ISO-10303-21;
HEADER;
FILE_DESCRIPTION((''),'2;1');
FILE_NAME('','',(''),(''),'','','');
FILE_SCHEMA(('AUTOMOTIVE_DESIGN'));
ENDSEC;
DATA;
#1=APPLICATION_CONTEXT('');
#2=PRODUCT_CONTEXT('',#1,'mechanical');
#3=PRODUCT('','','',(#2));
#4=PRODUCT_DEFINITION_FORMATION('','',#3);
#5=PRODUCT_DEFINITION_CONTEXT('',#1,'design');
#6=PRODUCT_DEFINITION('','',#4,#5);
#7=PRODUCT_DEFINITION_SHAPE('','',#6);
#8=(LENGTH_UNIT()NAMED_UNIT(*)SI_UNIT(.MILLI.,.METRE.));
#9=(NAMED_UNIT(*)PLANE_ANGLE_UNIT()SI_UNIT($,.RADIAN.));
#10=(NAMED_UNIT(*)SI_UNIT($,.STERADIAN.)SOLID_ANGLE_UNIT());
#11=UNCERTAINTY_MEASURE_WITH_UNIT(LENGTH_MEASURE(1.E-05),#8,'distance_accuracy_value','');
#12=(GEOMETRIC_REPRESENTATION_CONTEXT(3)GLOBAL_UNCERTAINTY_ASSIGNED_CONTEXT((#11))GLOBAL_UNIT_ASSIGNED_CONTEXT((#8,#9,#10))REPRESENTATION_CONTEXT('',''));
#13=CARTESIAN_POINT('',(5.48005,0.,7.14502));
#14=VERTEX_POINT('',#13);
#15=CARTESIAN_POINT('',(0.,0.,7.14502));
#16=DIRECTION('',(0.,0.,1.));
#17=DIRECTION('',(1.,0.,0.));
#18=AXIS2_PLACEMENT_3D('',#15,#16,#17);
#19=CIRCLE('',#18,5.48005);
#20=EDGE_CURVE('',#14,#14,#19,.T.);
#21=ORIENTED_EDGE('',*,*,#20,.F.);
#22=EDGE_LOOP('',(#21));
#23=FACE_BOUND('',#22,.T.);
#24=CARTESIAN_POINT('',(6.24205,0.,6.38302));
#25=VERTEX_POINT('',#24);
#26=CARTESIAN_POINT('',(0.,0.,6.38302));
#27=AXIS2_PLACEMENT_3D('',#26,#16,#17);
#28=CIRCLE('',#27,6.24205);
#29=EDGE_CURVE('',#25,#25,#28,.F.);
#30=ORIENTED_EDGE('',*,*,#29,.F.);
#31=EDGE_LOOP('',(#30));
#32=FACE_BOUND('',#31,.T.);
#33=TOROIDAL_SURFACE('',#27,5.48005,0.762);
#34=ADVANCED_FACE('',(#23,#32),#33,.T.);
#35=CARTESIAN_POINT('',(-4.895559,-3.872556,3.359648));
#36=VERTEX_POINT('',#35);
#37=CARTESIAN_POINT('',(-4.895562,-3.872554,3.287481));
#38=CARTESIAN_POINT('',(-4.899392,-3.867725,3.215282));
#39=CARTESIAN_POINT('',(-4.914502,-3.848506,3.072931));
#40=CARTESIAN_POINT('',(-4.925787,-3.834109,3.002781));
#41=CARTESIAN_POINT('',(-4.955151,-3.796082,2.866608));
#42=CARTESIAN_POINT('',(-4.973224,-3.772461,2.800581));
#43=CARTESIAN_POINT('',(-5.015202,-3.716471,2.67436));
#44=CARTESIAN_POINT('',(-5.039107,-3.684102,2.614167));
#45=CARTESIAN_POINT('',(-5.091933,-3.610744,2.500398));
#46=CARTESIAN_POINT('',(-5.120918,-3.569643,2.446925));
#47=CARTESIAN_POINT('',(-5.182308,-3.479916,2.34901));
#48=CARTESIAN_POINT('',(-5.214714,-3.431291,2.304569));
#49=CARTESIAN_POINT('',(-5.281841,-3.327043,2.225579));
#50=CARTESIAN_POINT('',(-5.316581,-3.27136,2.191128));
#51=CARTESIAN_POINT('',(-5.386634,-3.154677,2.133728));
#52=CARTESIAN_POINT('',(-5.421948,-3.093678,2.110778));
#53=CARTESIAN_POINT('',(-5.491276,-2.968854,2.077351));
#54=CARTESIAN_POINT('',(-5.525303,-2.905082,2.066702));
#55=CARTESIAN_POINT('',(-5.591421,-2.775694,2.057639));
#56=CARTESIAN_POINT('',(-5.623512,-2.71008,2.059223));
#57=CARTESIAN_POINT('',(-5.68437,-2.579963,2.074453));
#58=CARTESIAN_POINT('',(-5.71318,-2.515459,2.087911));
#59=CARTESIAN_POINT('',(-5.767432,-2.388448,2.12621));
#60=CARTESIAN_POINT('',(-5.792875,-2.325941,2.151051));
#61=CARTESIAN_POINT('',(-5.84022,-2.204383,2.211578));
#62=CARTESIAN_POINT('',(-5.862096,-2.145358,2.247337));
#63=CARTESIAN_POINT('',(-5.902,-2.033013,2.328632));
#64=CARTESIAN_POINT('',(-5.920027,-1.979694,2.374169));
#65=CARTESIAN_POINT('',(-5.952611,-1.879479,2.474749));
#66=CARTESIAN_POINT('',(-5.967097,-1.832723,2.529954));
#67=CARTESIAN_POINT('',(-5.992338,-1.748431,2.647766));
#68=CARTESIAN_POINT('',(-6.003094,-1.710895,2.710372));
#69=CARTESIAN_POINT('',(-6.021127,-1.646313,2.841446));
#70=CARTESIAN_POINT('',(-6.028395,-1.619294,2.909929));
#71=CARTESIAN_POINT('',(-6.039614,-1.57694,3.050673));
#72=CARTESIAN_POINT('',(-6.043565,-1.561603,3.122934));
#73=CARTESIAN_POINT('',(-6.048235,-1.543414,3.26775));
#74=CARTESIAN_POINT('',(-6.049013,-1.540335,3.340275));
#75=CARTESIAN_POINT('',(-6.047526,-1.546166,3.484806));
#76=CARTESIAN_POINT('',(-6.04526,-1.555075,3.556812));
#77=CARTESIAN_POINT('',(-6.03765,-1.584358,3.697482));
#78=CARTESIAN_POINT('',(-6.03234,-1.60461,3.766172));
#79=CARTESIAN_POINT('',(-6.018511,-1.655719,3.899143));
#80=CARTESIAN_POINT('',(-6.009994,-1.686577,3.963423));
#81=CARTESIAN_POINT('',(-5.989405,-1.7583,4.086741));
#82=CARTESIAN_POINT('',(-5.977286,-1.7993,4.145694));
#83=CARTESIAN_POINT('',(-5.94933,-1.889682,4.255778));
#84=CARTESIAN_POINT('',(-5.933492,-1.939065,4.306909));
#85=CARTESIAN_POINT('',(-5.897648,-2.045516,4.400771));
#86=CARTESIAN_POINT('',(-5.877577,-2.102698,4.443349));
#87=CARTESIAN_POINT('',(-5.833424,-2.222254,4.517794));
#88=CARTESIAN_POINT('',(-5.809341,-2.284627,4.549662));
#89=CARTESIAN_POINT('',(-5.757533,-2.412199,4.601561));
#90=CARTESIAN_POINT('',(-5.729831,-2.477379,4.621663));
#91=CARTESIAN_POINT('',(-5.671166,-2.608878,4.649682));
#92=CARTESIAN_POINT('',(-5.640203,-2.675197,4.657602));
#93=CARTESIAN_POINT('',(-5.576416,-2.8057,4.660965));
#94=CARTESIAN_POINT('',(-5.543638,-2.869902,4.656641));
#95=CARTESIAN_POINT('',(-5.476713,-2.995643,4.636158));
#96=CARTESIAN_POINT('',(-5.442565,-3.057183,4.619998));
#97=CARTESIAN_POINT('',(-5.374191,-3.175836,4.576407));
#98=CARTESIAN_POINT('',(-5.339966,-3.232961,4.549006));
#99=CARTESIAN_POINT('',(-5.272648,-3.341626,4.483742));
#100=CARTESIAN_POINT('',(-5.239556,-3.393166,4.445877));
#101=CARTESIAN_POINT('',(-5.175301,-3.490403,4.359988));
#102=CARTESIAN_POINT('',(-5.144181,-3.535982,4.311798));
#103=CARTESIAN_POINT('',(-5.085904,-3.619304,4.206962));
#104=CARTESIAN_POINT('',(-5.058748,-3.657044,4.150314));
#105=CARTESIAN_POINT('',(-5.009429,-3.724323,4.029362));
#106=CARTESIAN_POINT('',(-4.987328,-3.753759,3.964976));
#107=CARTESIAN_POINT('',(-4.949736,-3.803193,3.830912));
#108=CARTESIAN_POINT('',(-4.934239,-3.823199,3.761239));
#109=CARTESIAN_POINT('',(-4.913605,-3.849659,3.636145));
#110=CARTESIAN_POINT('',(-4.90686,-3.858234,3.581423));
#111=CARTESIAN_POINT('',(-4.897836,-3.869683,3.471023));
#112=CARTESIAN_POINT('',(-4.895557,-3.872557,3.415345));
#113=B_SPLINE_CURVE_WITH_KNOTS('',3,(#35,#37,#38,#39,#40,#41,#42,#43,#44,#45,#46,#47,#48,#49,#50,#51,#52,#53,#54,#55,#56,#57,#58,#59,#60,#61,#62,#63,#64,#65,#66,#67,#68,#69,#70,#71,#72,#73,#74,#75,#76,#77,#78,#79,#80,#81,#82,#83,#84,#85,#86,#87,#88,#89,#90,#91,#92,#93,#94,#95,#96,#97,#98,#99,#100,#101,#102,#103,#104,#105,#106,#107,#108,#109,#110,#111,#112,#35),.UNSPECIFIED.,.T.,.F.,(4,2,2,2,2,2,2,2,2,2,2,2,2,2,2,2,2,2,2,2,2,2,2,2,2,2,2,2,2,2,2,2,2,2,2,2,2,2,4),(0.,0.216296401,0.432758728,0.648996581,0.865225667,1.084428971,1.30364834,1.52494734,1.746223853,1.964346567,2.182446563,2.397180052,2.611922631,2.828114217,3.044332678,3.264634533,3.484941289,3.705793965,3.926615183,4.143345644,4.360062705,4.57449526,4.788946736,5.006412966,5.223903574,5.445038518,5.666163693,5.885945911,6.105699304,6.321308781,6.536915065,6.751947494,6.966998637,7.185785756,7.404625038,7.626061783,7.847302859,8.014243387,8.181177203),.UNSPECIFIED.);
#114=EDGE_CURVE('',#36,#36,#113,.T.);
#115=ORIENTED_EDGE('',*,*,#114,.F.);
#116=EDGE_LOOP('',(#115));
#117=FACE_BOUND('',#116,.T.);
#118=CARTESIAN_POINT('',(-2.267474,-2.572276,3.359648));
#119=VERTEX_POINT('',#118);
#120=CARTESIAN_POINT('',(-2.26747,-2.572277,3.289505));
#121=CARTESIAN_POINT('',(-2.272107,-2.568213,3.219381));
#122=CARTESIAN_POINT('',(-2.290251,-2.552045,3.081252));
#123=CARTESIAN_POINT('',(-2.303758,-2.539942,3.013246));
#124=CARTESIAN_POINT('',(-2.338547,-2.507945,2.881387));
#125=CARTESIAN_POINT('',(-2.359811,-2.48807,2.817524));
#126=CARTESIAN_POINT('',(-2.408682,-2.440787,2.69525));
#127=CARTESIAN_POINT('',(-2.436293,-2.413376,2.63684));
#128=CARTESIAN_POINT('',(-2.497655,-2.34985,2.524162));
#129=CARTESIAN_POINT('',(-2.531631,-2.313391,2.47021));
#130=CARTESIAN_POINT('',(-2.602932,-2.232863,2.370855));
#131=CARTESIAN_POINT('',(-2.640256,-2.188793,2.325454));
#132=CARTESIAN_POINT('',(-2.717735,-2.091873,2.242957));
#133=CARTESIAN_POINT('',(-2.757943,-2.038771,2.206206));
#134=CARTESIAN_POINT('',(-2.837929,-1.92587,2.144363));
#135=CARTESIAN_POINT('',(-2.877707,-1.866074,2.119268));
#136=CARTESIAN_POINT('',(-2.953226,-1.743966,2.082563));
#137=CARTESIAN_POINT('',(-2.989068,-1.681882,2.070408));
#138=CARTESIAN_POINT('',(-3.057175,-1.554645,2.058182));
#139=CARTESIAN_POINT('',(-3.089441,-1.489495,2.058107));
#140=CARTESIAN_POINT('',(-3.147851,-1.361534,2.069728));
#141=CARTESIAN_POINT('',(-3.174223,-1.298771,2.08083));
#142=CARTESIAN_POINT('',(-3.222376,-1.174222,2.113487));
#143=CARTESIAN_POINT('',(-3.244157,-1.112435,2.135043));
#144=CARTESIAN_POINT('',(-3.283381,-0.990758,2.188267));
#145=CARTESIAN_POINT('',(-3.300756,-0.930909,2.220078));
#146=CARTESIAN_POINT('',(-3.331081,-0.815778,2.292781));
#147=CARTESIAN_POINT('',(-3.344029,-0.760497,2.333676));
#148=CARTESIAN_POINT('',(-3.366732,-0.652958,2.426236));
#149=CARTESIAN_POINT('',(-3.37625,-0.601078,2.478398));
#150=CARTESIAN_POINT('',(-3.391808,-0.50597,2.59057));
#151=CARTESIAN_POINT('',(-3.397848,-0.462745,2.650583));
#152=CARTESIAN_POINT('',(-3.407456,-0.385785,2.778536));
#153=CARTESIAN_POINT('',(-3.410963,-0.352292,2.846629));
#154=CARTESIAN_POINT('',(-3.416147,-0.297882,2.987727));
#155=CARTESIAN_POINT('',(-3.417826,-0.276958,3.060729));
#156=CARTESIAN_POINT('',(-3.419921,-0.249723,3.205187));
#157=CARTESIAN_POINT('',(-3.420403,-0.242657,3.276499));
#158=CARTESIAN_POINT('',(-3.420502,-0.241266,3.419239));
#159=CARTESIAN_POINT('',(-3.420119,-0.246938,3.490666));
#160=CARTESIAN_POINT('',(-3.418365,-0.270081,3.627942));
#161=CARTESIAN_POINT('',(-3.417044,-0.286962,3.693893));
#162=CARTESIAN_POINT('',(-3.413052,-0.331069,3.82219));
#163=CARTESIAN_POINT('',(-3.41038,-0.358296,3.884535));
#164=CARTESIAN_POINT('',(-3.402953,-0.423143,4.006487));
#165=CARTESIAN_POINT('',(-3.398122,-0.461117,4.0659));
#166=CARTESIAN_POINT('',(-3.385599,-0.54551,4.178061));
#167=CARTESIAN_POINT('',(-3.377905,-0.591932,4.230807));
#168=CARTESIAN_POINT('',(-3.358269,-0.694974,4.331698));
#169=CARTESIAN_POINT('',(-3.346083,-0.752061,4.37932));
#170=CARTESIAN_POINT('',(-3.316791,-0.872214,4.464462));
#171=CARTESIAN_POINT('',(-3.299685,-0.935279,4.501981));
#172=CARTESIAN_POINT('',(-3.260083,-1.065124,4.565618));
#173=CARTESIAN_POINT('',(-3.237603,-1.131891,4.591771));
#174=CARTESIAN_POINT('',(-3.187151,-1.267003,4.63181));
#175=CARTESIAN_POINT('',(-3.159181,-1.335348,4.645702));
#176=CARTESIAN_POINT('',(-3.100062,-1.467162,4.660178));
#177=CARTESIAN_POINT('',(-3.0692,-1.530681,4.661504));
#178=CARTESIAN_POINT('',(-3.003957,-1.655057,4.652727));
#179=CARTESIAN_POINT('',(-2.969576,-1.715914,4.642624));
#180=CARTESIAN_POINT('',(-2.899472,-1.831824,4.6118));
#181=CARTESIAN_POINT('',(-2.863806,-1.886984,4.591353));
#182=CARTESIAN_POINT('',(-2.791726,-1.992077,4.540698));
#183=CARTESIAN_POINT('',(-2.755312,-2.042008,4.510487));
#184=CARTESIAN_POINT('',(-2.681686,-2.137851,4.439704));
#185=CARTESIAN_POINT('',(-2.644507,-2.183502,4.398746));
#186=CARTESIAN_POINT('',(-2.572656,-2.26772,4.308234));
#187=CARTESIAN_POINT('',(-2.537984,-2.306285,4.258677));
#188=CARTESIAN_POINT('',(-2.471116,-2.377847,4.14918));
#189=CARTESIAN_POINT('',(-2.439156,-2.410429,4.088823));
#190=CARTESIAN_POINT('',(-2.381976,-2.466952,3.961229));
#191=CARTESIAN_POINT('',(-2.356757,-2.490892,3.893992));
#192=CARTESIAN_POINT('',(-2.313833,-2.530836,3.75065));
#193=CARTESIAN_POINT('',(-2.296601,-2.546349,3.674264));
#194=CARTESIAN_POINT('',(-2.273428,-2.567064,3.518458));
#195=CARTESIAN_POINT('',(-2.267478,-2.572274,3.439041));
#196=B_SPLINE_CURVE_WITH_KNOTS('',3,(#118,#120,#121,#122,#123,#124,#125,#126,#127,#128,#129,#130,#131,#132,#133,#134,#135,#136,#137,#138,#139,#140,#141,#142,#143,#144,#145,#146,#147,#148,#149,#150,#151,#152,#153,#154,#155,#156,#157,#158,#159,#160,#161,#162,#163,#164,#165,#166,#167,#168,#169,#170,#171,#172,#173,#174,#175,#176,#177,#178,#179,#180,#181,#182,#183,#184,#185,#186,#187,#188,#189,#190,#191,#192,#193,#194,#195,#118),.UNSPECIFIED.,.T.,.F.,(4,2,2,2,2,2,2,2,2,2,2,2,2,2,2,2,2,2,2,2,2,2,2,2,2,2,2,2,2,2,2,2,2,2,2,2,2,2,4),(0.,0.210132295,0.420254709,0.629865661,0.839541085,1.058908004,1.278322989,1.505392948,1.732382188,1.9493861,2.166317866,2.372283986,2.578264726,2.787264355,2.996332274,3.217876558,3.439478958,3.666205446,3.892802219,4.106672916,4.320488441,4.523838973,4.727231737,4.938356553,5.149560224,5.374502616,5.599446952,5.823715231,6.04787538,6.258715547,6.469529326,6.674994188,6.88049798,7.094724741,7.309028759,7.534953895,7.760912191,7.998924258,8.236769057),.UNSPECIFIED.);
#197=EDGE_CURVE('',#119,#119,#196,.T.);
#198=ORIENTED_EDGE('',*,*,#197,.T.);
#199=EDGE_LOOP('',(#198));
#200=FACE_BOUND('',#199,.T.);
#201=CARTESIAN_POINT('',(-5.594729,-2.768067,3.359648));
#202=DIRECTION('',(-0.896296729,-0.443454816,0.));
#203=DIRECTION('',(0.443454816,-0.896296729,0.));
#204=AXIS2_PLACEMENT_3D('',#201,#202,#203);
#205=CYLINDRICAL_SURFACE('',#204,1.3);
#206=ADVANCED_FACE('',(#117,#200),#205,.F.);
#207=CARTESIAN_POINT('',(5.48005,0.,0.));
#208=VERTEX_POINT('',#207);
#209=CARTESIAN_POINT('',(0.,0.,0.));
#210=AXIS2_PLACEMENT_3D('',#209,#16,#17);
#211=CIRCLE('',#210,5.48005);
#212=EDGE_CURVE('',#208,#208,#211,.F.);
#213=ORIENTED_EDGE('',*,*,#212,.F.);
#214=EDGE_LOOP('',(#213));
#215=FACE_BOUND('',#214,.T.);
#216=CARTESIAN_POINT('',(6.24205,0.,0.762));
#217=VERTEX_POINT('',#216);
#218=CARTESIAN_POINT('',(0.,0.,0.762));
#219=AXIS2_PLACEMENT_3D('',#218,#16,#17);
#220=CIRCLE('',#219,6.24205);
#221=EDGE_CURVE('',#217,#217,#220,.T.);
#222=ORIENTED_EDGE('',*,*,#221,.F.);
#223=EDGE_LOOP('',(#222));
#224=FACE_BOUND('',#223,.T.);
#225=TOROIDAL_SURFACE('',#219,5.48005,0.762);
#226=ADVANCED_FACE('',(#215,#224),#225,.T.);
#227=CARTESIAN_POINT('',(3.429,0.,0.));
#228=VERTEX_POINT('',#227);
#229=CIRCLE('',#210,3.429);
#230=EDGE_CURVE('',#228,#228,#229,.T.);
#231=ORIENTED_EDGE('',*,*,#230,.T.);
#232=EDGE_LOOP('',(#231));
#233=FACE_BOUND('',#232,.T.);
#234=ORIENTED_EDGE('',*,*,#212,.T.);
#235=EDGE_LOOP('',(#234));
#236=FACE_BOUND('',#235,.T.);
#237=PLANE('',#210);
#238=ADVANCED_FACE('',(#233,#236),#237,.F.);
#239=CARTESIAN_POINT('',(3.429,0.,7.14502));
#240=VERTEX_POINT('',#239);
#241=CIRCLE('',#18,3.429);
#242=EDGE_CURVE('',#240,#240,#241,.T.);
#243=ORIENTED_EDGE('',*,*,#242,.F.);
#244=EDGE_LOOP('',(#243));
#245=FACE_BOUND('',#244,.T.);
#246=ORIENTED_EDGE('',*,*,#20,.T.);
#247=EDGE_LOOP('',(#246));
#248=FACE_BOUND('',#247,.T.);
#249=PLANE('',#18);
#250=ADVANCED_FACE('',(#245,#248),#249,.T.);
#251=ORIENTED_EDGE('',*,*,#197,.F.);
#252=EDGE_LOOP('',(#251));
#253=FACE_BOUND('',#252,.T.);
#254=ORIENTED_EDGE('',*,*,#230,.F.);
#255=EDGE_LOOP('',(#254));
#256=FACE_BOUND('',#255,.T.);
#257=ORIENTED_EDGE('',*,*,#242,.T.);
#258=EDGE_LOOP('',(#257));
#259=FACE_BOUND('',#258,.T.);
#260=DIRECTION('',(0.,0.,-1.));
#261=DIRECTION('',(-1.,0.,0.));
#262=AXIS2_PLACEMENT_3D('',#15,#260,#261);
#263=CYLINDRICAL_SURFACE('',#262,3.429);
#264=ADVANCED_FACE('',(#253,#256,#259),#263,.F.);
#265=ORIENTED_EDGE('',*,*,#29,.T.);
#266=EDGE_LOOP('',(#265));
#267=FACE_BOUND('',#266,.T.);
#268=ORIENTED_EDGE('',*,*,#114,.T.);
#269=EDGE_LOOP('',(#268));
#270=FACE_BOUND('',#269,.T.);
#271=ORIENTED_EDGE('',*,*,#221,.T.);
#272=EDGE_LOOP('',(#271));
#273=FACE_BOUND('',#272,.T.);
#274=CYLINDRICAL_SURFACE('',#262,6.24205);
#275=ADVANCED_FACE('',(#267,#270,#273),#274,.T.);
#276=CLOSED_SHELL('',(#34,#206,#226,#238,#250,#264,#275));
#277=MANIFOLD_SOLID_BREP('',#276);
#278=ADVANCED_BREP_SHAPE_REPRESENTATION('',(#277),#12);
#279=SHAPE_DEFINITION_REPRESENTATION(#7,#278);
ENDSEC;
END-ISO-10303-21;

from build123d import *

# Parameters (mm, degrees)
ESQUISSE1_R           = 6.24205
ESQUISSE1_R_2         = 3.429
BOSS_EXTRU_1_DEPTH    = 7.14502
CONG_1_R              = 0.762
D_GAGEMENT_M21_REACH  = 17.35
D_GAGEMENT_M21_BORE_R = 1.3


with BuildPart() as part:
    # Esquisse1 → Boss.-Extru.1 (new body)
    with BuildSketch(Plane.XY):
        with Locations(Location((0, 0, 0), (0, 0, 180))):
            Circle(ESQUISSE1_R)
        with Locations(Location((0, 0, 0), (0, 0, 180))):
            Circle(ESQUISSE1_R_2, mode=Mode.SUBTRACT)
    extrude(amount=BOSS_EXTRU_1_DEPTH)

    # Congé1
    cong_1_edges = [part.edges().sort_by_distance(p)[0] for p in [
        (6.24205, 0, 0),
        (6.24205, 0, 7.14502),
    ]]
    fillet(cong_1_edges, radius=CONG_1_R)

    # Dégagement M21 bore (on position points) → Dégagement M21 (cut, up to next)
    with BuildSketch(Plane(origin=(-5.594728997, -2.768067132, 3.359647544), x_dir=(0.44345481566, -0.896296729029, 0), z_dir=(-0.896296729029, -0.44345481566, 0)), mode=Mode.PRIVATE) as d_gagement_m21_sk1:
        Circle(D_GAGEMENT_M21_BORE_R)
    d_gagement_m21_tool1 = extrude(d_gagement_m21_sk1.sketch, amount=-D_GAGEMENT_M21_REACH, mode=Mode.PRIVATE) & part.part
    add(d_gagement_m21_tool1.solids().sort_by_distance((-5.594729, -2.768067, 3.359648))[0], mode=Mode.SUBTRACT)


solid = part.part
